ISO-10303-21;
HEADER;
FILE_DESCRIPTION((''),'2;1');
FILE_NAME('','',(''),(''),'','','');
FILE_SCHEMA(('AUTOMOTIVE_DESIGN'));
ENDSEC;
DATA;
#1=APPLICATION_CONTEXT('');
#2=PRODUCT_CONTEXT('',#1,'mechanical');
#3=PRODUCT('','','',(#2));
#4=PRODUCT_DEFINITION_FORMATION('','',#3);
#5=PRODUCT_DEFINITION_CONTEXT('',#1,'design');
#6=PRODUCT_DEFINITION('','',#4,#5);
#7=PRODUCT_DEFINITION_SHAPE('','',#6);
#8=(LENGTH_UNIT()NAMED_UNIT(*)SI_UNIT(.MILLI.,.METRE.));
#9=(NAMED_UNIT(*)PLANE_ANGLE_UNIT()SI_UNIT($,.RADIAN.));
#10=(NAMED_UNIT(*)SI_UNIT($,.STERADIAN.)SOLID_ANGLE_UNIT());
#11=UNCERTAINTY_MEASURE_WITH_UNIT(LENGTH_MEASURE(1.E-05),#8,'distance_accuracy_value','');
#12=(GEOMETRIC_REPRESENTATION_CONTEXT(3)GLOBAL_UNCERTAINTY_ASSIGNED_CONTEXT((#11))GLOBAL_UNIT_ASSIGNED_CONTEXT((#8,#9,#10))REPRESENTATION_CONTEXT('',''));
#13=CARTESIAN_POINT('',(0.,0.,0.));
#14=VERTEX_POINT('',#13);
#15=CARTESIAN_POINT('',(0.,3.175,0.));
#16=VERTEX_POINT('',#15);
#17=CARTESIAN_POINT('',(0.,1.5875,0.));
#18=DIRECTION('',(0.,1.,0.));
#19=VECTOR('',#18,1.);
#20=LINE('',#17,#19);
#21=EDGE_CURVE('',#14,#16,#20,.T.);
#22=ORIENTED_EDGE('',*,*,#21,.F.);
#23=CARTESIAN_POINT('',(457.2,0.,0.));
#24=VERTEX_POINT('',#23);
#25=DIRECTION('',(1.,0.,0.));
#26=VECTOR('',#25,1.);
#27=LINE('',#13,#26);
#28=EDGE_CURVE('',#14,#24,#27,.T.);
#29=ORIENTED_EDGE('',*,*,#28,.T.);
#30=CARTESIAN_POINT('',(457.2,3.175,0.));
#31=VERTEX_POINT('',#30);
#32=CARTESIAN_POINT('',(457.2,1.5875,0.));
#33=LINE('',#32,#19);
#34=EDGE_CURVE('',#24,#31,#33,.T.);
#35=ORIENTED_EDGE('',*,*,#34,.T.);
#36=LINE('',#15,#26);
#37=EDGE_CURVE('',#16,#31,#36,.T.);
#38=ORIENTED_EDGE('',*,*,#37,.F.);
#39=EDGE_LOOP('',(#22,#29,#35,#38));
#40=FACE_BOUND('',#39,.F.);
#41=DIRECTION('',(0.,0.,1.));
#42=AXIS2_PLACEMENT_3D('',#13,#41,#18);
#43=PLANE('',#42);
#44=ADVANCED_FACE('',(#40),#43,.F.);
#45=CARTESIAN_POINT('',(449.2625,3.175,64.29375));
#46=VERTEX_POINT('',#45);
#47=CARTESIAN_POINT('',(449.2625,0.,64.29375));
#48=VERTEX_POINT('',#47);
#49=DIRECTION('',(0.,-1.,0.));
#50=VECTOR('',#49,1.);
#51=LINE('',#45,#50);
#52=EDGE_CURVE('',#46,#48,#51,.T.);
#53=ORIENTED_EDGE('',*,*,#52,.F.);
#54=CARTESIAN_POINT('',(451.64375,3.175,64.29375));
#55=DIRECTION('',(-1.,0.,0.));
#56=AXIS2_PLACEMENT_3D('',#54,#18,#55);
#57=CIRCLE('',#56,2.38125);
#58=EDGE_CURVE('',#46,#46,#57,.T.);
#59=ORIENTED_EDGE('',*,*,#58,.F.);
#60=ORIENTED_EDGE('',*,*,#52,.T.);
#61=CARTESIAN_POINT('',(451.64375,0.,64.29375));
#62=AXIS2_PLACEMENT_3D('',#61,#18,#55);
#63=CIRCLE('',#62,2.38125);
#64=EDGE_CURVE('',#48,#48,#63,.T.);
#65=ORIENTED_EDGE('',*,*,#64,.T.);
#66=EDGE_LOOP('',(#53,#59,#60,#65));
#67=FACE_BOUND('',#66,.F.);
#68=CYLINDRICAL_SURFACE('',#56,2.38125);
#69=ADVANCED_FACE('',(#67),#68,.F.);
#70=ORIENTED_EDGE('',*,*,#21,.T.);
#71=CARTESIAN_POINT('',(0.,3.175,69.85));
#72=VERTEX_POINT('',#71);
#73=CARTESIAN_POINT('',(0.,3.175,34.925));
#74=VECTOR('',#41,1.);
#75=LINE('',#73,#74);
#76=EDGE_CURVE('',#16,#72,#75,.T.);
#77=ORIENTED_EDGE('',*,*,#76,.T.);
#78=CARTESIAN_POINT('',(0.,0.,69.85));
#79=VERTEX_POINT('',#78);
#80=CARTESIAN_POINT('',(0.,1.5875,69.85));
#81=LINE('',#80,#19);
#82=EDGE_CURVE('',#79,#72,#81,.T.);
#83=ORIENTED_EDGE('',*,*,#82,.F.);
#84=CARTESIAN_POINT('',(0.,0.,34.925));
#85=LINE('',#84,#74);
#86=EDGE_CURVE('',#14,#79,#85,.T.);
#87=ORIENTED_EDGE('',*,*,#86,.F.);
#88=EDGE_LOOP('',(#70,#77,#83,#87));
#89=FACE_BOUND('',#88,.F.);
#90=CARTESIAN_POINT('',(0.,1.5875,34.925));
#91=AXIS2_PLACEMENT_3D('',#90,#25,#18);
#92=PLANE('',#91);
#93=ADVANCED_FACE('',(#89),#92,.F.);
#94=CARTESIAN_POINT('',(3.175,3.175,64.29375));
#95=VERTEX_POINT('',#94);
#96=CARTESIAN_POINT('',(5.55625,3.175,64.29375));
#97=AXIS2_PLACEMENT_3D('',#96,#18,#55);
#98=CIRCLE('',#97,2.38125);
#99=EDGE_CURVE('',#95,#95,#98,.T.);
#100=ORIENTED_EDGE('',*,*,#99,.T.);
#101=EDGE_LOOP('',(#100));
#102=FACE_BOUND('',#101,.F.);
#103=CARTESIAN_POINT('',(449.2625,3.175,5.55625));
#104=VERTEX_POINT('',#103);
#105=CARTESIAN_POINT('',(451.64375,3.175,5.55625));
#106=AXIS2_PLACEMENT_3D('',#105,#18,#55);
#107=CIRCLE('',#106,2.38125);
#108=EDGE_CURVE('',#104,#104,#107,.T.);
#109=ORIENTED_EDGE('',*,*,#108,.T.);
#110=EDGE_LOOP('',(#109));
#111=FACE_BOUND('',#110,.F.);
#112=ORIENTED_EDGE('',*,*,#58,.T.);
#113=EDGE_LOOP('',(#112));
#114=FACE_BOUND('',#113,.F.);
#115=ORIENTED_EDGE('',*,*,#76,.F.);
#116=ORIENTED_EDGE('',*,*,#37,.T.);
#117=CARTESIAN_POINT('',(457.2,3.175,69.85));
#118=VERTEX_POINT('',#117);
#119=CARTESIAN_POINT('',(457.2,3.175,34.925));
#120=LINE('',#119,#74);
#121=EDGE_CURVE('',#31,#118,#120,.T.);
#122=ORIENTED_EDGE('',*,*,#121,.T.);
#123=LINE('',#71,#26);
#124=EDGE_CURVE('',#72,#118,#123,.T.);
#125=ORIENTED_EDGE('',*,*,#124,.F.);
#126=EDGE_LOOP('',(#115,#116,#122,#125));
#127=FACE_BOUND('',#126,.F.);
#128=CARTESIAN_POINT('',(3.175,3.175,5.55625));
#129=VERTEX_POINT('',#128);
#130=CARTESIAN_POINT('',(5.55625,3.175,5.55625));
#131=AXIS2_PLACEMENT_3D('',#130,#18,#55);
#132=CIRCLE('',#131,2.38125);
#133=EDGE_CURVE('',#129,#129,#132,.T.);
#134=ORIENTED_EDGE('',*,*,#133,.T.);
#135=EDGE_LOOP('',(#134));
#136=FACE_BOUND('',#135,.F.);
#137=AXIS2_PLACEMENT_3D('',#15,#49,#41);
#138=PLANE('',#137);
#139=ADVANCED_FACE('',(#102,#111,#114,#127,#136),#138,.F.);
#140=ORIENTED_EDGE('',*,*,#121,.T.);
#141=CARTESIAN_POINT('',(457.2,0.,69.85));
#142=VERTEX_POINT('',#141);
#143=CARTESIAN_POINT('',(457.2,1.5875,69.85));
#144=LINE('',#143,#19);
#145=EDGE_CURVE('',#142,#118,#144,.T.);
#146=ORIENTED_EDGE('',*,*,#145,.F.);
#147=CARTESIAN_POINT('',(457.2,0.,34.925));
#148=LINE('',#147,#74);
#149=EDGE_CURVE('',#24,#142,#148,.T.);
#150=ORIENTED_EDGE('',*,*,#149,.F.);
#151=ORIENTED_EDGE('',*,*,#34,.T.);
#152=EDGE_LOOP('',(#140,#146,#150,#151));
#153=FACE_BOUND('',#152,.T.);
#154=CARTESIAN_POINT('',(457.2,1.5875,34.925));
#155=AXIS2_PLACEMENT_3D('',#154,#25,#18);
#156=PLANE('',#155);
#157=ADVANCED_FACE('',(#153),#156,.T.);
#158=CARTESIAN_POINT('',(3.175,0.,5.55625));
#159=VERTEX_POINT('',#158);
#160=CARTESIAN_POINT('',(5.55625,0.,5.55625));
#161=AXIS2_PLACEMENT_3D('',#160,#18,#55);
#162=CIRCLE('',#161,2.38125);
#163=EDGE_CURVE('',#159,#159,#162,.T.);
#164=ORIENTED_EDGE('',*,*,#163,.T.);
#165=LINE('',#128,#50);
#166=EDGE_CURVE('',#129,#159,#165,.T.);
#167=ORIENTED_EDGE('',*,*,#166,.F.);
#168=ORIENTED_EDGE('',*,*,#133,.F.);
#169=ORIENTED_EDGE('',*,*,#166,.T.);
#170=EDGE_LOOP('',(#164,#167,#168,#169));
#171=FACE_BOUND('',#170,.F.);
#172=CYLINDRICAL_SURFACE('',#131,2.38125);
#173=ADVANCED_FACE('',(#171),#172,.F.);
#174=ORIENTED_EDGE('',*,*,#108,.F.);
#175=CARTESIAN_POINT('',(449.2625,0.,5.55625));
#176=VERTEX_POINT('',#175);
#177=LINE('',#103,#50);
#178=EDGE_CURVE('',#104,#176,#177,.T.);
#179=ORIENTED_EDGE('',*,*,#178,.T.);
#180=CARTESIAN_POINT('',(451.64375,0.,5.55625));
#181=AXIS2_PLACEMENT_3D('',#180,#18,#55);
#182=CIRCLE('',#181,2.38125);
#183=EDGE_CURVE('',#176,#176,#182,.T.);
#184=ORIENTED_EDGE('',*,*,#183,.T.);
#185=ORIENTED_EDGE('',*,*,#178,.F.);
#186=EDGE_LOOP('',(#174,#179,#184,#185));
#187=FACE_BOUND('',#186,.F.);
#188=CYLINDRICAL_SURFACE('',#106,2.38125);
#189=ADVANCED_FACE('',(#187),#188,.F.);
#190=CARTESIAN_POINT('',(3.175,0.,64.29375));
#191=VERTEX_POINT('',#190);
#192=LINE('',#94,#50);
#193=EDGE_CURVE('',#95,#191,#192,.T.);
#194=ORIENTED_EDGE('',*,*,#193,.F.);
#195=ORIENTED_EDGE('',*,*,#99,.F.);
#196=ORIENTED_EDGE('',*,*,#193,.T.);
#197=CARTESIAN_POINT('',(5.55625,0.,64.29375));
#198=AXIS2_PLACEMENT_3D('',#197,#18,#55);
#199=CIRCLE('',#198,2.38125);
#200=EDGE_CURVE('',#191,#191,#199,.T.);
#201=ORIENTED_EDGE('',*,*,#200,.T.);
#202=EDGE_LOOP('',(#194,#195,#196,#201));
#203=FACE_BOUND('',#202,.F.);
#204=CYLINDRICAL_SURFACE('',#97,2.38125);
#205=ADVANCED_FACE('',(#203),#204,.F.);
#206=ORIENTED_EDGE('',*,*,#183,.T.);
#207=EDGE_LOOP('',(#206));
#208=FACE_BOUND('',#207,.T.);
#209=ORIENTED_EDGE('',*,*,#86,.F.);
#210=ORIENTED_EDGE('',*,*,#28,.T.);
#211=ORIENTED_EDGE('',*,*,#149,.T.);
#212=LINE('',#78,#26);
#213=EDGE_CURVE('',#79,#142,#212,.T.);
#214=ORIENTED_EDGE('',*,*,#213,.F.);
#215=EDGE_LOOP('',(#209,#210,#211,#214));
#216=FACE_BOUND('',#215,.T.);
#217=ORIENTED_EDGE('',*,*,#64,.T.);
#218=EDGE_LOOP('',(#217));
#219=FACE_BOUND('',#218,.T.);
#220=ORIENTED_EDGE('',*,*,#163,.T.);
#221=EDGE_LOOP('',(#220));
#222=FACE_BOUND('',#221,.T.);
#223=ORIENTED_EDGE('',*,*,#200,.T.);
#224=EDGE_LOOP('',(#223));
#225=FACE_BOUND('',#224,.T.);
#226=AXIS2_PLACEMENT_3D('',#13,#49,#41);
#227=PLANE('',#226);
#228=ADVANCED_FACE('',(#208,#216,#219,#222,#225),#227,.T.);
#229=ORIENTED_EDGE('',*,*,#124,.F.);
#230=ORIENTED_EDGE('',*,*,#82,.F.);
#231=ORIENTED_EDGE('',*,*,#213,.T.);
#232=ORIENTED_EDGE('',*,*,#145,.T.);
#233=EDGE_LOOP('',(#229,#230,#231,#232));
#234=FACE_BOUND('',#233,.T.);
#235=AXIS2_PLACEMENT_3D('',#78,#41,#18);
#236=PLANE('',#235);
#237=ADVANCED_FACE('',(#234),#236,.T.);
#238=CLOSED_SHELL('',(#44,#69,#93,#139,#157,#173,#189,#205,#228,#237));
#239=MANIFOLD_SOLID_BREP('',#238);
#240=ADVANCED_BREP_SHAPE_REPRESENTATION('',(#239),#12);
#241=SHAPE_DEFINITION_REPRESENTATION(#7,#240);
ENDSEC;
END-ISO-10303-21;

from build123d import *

# Parameters (mm, degrees)
F0_W     = 3.175
F0_H     = 69.85
F1_DEPTH = 457.2
F2_R     = 2.38125
F3_DEPTH = 3.176


with BuildPart() as f1:
    # F0 (on Right) → F1 (new body)
    with BuildSketch(Plane.YZ):
        with Locations((1.5875, 34.925)):
            Rectangle(F0_W, F0_H)
    extrude(amount=F1_DEPTH)

    # F2 (on face) → F3 (cut, through all)
    with BuildSketch(Plane(origin=(0, 3.175, 0), x_dir=(-1, 0, 0), z_dir=(0, 1, 0))):
        with Locations((-5.55625, 64.29375)):
            Circle(F2_R)
        with Locations((-5.55625, 5.55625)):
            Circle(F2_R)
        with Locations((-451.64375, 64.29375)):
            Circle(F2_R)
        with Locations((-451.64375, 5.55625)):
            Circle(F2_R)
    extrude(amount=-F3_DEPTH, mode=Mode.SUBTRACT)


solid = f1.part
